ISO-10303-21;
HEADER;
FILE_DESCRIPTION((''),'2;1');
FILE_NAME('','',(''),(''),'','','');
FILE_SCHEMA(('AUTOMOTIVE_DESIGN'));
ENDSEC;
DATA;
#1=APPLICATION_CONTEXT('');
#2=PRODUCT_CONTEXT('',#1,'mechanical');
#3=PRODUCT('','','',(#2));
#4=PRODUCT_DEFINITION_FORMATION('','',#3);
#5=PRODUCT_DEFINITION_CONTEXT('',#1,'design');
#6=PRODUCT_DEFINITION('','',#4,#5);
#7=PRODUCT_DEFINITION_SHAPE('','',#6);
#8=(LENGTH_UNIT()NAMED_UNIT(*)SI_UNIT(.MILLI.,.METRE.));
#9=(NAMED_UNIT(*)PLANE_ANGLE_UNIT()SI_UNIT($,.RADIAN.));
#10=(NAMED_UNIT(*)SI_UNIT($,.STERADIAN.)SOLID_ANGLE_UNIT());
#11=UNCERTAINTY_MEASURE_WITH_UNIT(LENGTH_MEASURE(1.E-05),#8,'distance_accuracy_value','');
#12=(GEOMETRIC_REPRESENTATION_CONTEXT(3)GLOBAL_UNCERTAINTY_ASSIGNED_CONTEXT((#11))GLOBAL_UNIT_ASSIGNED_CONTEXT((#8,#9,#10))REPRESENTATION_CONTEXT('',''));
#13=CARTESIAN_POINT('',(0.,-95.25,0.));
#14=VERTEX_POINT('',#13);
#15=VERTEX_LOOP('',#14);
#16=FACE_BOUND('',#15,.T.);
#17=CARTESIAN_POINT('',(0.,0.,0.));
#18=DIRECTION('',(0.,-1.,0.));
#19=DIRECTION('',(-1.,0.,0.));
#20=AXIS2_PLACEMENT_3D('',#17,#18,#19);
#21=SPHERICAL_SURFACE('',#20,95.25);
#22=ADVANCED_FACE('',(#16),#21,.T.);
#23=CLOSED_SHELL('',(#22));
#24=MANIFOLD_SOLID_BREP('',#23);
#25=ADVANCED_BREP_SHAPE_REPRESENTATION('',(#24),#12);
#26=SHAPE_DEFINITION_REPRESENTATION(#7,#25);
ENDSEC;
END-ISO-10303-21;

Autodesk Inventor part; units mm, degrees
ref_plane "YZ Plane" through (0, 0, 0) normal (1, 0, 0) x (0, 1, 0)
ref_plane "XZ Plane" through (0, 0, 0) normal (0, 1, 0) x (-1, 0, 0)
ref_plane "XY Plane" through (0, 0, 0) normal (0, 0, 1) x (1, 0, 0)
sketch "Sketch1" plane through (0, 0, 0) normal (0, 0, 1) x (1, 0, 0)
  arc A0 (0, 95.25) -> (0, -95.25) centre (0, 0) ccw
  line L0 (0, 95.25) -> (0, -95.25)
  dimension "d0" = 190.5
  dimension "d0" = 190.5
revolve "Revolution1" add sketch "Sketch1" angle 360 about axis through (0, 95.25, 0) along (0, -1, 0)
properties part number "Compressed ball"
